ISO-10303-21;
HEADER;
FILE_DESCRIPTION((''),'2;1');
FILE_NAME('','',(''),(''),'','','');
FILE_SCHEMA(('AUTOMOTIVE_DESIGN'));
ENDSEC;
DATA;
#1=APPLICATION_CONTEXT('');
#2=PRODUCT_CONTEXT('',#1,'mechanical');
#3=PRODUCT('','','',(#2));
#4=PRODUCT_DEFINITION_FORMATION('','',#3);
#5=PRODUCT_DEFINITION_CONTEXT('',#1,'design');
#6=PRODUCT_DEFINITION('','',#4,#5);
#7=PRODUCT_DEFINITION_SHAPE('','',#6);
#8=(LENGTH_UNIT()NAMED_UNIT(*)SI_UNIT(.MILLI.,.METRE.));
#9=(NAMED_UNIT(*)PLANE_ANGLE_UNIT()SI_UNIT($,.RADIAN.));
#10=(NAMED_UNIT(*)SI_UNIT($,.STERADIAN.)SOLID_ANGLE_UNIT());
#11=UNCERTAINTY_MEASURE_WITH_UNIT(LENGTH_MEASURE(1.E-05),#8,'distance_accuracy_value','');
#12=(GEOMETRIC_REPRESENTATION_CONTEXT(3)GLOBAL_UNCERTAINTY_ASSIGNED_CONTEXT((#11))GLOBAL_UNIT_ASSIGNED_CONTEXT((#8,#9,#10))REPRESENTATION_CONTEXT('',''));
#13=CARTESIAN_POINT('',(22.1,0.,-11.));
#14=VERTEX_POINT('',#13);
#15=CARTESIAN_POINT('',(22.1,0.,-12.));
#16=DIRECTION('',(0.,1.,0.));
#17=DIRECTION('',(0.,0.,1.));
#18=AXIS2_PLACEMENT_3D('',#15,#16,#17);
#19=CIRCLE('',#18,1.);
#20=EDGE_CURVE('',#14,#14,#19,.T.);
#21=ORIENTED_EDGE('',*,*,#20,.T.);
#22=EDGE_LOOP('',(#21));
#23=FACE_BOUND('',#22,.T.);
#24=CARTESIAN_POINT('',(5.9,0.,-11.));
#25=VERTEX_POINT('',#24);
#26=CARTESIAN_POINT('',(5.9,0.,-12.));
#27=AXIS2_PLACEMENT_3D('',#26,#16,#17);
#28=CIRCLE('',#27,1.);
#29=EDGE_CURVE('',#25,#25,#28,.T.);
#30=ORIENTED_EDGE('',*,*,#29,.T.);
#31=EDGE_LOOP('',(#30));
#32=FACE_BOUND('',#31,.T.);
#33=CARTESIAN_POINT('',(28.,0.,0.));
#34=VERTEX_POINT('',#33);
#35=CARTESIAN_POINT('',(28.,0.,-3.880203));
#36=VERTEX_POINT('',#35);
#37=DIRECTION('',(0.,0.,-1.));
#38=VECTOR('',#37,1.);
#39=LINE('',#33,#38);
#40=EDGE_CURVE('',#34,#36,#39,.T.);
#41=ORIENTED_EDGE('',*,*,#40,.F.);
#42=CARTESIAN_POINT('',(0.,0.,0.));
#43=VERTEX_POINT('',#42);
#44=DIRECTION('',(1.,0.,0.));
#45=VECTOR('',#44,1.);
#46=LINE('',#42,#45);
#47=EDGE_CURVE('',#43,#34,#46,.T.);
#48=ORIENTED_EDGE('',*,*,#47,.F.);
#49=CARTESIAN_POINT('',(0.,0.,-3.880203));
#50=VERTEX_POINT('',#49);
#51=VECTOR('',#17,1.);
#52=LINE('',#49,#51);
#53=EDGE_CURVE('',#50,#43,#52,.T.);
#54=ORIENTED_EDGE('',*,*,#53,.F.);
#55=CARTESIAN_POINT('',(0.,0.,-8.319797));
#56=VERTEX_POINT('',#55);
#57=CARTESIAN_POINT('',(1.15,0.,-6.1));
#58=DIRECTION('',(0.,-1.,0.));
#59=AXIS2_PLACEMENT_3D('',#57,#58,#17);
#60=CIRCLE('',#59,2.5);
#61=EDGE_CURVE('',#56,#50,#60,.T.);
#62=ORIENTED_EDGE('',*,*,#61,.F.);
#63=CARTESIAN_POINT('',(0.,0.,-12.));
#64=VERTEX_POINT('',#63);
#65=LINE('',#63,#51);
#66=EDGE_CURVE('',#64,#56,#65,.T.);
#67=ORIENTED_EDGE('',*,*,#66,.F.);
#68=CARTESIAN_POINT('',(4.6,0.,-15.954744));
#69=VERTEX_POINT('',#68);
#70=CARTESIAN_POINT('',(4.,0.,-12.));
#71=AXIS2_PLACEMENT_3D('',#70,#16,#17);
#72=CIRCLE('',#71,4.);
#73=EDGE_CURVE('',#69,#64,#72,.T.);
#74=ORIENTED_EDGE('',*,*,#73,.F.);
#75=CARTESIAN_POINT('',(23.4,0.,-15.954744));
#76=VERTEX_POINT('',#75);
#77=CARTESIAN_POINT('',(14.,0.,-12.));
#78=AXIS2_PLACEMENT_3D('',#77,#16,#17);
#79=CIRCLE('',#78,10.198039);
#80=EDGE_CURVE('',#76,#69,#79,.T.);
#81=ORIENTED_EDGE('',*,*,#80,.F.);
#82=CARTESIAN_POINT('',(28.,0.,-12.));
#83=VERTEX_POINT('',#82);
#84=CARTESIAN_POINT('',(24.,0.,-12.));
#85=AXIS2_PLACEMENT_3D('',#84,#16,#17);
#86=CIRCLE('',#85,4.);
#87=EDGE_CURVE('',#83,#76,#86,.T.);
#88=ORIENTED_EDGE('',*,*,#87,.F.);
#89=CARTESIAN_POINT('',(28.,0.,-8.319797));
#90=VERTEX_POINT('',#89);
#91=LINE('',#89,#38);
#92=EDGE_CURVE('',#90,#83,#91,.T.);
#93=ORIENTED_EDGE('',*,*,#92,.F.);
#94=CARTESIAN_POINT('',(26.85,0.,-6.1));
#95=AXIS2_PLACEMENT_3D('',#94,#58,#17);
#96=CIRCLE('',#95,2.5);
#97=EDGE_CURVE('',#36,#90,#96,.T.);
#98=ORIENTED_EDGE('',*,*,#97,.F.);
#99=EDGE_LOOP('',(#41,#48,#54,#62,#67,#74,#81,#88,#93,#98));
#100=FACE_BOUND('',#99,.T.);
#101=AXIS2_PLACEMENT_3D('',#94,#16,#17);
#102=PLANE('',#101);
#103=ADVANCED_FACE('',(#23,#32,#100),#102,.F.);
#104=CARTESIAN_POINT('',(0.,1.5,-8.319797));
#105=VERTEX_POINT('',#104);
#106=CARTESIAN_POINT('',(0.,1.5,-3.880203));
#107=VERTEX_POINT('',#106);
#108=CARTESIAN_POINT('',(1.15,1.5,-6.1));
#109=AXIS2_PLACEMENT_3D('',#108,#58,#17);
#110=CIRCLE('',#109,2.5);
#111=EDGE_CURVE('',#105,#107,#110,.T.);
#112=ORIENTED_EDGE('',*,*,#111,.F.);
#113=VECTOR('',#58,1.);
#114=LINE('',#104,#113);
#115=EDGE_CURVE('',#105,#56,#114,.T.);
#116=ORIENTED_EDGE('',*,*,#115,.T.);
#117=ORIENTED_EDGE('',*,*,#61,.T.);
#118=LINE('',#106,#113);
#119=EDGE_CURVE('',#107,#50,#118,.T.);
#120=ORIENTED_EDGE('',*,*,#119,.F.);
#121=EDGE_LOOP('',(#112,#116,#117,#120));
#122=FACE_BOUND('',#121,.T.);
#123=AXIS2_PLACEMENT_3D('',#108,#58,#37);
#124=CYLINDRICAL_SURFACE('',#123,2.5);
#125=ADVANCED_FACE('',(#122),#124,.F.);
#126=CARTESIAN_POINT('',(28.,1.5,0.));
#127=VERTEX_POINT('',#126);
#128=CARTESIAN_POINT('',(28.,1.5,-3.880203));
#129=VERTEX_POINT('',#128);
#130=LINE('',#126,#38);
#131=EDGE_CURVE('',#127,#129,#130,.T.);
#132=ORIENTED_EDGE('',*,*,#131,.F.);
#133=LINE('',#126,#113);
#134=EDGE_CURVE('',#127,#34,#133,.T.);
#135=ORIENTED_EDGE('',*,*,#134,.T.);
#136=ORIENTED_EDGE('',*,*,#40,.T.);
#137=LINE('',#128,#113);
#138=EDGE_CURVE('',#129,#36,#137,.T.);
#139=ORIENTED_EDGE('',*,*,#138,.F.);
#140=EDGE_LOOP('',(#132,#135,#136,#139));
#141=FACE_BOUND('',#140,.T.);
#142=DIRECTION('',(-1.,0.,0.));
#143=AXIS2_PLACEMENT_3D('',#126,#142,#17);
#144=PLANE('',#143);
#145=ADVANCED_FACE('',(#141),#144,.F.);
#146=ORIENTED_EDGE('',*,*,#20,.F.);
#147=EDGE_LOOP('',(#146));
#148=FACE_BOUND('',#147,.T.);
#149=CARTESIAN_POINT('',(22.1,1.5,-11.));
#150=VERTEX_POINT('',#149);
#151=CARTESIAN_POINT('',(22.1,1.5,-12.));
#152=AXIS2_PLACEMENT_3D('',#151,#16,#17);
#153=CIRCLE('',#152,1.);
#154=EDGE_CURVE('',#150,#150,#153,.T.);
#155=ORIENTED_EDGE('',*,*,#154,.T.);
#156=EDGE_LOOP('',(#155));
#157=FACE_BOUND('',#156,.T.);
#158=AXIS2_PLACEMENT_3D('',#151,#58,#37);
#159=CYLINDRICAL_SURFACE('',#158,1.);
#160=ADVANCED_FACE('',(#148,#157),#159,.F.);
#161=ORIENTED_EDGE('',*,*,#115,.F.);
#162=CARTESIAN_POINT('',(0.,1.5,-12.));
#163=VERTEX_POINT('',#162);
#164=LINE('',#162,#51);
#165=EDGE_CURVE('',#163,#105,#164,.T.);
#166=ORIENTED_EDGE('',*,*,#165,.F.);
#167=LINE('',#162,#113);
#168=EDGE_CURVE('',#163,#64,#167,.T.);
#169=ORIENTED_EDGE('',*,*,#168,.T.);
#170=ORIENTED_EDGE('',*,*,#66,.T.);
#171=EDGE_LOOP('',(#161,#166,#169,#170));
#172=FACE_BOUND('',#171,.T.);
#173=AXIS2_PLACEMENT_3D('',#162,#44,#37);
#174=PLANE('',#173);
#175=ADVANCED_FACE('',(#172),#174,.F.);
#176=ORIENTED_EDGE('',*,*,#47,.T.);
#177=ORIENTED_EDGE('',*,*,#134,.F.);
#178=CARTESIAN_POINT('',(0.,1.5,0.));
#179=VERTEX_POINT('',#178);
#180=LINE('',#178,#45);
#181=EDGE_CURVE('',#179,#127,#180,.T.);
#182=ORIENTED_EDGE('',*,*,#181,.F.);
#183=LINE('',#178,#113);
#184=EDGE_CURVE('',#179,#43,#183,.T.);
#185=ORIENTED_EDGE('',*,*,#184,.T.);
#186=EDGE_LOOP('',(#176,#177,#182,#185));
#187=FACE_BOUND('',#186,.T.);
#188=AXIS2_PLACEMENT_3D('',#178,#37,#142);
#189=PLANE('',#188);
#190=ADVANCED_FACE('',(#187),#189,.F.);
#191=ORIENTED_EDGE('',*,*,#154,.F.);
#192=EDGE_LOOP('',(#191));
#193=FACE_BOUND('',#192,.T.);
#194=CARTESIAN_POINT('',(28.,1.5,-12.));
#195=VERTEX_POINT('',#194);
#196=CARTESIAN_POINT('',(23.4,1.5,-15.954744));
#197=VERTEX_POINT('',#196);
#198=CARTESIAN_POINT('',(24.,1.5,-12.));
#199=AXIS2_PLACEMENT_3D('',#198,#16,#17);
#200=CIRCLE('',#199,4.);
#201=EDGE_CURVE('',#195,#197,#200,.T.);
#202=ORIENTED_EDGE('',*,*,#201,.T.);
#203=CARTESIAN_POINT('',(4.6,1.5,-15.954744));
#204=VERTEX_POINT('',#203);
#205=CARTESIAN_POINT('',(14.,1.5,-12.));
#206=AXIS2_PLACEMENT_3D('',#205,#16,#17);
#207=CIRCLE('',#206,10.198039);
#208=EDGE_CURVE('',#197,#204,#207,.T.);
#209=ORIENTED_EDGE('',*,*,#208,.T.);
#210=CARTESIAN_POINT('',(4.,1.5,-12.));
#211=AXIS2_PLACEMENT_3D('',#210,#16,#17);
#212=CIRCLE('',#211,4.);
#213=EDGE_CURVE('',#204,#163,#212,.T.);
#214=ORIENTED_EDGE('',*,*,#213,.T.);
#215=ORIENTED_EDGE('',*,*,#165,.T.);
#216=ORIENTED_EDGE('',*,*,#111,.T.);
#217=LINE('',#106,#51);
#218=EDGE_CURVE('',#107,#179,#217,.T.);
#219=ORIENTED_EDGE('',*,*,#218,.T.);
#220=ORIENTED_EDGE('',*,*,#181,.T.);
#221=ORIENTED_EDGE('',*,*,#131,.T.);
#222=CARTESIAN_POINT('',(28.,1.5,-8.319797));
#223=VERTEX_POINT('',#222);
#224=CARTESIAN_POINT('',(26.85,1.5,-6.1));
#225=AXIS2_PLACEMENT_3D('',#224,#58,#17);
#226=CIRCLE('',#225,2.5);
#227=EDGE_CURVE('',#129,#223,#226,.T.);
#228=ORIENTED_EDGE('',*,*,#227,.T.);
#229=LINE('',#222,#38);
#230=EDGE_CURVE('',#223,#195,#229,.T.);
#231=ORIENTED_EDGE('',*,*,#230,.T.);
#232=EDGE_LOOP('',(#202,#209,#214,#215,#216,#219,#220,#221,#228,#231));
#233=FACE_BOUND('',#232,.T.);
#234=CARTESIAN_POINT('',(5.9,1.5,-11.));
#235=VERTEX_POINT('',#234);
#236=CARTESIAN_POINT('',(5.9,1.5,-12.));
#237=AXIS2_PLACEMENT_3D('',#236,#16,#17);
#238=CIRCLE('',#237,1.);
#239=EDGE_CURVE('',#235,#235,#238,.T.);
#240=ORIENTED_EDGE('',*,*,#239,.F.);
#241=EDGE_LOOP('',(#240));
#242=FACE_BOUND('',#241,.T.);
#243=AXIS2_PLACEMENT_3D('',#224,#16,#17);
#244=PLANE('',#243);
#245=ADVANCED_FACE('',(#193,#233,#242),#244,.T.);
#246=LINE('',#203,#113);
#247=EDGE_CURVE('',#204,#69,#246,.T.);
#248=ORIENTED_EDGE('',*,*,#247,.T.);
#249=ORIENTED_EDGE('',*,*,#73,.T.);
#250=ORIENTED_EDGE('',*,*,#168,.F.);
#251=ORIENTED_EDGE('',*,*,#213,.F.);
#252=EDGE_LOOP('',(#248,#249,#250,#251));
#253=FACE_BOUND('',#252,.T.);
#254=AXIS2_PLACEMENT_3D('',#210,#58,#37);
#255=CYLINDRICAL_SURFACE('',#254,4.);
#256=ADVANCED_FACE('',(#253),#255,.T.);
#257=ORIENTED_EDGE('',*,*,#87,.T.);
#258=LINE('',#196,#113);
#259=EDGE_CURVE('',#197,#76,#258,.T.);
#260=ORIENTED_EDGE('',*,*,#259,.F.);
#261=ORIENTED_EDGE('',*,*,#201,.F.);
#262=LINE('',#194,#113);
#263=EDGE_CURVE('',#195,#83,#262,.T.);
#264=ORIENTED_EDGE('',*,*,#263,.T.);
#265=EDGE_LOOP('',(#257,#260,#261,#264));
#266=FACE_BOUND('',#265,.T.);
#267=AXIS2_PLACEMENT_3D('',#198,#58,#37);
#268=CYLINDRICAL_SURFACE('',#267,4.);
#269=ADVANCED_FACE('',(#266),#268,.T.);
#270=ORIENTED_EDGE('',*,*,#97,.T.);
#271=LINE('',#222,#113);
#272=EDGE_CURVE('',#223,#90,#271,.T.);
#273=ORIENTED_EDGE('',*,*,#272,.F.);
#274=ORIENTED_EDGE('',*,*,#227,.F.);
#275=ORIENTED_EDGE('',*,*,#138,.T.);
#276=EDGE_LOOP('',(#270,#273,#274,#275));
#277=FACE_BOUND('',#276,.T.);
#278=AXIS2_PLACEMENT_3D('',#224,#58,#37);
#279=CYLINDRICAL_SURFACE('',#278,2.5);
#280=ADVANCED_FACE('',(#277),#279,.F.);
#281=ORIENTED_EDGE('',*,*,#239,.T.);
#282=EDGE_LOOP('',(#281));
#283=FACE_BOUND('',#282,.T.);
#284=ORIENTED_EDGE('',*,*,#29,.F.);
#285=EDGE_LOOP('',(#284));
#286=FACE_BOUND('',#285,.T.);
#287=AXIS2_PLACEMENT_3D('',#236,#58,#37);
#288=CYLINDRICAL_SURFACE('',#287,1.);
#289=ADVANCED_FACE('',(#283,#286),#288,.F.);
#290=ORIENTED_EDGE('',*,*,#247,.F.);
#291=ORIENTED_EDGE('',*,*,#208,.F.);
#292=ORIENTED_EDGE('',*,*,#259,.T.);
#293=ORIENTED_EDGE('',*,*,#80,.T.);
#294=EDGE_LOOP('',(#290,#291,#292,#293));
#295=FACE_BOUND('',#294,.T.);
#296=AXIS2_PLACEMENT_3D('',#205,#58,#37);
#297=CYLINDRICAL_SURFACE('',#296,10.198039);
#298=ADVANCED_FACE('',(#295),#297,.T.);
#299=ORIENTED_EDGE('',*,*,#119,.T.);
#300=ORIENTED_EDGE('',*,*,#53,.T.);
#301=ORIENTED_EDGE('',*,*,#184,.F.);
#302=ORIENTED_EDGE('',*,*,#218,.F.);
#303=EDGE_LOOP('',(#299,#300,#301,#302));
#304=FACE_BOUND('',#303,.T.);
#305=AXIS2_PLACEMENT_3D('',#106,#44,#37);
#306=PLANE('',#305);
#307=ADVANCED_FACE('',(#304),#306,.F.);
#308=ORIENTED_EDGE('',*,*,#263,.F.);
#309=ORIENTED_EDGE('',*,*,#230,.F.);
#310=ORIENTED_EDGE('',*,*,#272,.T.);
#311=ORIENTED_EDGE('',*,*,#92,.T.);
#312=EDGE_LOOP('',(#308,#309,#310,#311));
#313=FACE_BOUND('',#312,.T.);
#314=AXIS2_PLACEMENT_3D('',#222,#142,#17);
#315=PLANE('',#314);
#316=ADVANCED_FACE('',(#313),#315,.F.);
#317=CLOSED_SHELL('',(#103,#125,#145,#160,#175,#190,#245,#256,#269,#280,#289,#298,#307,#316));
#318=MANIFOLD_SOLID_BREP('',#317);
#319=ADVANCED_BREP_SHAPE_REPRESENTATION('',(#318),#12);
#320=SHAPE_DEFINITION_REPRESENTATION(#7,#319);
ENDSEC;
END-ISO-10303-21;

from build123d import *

# Parameters (mm, degrees)
SKETCH1_R           = 1
BOSS_EXTRUDE1_DEPTH = 1.5


with BuildPart() as part:
    # Sketch1 → Boss-Extrude1 (new body)
    with BuildSketch(Plane(origin=(0, 0, 0), x_dir=(1, 0, 0), z_dir=(0, 1, 0))):
        with BuildLine():
            Line((0, 0), (28, 0))
            Line((28, 0), (28, 3.880202712))
            ThreePointArc((28, 3.880202712), (24.35, 6.1), (28, 8.319797288))
            Line((28, 8.319797288), (28, 12))
            ThreePointArc((28, 12), (26.607680962, 15.033150178), (23.4, 15.954743987))
            ThreePointArc((23.4, 15.954743987), (14, 22.198039027), (4.6, 15.954743987))
            ThreePointArc((4.6, 15.954743987), (1.392319038, 15.033150178), (0, 12))
            Line((0, 12), (0, 8.319797288))
            ThreePointArc((0, 8.319797288), (3.65, 6.1), (0, 3.880202712))
            Line((0, 3.880202712), (0, 0))
        make_face()
        with Locations((5.9, 12)):
            Circle(SKETCH1_R, mode=Mode.SUBTRACT)
        with Locations((22.1, 12)):
            Circle(SKETCH1_R, mode=Mode.SUBTRACT)
    extrude(amount=BOSS_EXTRUDE1_DEPTH)


solid = part.part
